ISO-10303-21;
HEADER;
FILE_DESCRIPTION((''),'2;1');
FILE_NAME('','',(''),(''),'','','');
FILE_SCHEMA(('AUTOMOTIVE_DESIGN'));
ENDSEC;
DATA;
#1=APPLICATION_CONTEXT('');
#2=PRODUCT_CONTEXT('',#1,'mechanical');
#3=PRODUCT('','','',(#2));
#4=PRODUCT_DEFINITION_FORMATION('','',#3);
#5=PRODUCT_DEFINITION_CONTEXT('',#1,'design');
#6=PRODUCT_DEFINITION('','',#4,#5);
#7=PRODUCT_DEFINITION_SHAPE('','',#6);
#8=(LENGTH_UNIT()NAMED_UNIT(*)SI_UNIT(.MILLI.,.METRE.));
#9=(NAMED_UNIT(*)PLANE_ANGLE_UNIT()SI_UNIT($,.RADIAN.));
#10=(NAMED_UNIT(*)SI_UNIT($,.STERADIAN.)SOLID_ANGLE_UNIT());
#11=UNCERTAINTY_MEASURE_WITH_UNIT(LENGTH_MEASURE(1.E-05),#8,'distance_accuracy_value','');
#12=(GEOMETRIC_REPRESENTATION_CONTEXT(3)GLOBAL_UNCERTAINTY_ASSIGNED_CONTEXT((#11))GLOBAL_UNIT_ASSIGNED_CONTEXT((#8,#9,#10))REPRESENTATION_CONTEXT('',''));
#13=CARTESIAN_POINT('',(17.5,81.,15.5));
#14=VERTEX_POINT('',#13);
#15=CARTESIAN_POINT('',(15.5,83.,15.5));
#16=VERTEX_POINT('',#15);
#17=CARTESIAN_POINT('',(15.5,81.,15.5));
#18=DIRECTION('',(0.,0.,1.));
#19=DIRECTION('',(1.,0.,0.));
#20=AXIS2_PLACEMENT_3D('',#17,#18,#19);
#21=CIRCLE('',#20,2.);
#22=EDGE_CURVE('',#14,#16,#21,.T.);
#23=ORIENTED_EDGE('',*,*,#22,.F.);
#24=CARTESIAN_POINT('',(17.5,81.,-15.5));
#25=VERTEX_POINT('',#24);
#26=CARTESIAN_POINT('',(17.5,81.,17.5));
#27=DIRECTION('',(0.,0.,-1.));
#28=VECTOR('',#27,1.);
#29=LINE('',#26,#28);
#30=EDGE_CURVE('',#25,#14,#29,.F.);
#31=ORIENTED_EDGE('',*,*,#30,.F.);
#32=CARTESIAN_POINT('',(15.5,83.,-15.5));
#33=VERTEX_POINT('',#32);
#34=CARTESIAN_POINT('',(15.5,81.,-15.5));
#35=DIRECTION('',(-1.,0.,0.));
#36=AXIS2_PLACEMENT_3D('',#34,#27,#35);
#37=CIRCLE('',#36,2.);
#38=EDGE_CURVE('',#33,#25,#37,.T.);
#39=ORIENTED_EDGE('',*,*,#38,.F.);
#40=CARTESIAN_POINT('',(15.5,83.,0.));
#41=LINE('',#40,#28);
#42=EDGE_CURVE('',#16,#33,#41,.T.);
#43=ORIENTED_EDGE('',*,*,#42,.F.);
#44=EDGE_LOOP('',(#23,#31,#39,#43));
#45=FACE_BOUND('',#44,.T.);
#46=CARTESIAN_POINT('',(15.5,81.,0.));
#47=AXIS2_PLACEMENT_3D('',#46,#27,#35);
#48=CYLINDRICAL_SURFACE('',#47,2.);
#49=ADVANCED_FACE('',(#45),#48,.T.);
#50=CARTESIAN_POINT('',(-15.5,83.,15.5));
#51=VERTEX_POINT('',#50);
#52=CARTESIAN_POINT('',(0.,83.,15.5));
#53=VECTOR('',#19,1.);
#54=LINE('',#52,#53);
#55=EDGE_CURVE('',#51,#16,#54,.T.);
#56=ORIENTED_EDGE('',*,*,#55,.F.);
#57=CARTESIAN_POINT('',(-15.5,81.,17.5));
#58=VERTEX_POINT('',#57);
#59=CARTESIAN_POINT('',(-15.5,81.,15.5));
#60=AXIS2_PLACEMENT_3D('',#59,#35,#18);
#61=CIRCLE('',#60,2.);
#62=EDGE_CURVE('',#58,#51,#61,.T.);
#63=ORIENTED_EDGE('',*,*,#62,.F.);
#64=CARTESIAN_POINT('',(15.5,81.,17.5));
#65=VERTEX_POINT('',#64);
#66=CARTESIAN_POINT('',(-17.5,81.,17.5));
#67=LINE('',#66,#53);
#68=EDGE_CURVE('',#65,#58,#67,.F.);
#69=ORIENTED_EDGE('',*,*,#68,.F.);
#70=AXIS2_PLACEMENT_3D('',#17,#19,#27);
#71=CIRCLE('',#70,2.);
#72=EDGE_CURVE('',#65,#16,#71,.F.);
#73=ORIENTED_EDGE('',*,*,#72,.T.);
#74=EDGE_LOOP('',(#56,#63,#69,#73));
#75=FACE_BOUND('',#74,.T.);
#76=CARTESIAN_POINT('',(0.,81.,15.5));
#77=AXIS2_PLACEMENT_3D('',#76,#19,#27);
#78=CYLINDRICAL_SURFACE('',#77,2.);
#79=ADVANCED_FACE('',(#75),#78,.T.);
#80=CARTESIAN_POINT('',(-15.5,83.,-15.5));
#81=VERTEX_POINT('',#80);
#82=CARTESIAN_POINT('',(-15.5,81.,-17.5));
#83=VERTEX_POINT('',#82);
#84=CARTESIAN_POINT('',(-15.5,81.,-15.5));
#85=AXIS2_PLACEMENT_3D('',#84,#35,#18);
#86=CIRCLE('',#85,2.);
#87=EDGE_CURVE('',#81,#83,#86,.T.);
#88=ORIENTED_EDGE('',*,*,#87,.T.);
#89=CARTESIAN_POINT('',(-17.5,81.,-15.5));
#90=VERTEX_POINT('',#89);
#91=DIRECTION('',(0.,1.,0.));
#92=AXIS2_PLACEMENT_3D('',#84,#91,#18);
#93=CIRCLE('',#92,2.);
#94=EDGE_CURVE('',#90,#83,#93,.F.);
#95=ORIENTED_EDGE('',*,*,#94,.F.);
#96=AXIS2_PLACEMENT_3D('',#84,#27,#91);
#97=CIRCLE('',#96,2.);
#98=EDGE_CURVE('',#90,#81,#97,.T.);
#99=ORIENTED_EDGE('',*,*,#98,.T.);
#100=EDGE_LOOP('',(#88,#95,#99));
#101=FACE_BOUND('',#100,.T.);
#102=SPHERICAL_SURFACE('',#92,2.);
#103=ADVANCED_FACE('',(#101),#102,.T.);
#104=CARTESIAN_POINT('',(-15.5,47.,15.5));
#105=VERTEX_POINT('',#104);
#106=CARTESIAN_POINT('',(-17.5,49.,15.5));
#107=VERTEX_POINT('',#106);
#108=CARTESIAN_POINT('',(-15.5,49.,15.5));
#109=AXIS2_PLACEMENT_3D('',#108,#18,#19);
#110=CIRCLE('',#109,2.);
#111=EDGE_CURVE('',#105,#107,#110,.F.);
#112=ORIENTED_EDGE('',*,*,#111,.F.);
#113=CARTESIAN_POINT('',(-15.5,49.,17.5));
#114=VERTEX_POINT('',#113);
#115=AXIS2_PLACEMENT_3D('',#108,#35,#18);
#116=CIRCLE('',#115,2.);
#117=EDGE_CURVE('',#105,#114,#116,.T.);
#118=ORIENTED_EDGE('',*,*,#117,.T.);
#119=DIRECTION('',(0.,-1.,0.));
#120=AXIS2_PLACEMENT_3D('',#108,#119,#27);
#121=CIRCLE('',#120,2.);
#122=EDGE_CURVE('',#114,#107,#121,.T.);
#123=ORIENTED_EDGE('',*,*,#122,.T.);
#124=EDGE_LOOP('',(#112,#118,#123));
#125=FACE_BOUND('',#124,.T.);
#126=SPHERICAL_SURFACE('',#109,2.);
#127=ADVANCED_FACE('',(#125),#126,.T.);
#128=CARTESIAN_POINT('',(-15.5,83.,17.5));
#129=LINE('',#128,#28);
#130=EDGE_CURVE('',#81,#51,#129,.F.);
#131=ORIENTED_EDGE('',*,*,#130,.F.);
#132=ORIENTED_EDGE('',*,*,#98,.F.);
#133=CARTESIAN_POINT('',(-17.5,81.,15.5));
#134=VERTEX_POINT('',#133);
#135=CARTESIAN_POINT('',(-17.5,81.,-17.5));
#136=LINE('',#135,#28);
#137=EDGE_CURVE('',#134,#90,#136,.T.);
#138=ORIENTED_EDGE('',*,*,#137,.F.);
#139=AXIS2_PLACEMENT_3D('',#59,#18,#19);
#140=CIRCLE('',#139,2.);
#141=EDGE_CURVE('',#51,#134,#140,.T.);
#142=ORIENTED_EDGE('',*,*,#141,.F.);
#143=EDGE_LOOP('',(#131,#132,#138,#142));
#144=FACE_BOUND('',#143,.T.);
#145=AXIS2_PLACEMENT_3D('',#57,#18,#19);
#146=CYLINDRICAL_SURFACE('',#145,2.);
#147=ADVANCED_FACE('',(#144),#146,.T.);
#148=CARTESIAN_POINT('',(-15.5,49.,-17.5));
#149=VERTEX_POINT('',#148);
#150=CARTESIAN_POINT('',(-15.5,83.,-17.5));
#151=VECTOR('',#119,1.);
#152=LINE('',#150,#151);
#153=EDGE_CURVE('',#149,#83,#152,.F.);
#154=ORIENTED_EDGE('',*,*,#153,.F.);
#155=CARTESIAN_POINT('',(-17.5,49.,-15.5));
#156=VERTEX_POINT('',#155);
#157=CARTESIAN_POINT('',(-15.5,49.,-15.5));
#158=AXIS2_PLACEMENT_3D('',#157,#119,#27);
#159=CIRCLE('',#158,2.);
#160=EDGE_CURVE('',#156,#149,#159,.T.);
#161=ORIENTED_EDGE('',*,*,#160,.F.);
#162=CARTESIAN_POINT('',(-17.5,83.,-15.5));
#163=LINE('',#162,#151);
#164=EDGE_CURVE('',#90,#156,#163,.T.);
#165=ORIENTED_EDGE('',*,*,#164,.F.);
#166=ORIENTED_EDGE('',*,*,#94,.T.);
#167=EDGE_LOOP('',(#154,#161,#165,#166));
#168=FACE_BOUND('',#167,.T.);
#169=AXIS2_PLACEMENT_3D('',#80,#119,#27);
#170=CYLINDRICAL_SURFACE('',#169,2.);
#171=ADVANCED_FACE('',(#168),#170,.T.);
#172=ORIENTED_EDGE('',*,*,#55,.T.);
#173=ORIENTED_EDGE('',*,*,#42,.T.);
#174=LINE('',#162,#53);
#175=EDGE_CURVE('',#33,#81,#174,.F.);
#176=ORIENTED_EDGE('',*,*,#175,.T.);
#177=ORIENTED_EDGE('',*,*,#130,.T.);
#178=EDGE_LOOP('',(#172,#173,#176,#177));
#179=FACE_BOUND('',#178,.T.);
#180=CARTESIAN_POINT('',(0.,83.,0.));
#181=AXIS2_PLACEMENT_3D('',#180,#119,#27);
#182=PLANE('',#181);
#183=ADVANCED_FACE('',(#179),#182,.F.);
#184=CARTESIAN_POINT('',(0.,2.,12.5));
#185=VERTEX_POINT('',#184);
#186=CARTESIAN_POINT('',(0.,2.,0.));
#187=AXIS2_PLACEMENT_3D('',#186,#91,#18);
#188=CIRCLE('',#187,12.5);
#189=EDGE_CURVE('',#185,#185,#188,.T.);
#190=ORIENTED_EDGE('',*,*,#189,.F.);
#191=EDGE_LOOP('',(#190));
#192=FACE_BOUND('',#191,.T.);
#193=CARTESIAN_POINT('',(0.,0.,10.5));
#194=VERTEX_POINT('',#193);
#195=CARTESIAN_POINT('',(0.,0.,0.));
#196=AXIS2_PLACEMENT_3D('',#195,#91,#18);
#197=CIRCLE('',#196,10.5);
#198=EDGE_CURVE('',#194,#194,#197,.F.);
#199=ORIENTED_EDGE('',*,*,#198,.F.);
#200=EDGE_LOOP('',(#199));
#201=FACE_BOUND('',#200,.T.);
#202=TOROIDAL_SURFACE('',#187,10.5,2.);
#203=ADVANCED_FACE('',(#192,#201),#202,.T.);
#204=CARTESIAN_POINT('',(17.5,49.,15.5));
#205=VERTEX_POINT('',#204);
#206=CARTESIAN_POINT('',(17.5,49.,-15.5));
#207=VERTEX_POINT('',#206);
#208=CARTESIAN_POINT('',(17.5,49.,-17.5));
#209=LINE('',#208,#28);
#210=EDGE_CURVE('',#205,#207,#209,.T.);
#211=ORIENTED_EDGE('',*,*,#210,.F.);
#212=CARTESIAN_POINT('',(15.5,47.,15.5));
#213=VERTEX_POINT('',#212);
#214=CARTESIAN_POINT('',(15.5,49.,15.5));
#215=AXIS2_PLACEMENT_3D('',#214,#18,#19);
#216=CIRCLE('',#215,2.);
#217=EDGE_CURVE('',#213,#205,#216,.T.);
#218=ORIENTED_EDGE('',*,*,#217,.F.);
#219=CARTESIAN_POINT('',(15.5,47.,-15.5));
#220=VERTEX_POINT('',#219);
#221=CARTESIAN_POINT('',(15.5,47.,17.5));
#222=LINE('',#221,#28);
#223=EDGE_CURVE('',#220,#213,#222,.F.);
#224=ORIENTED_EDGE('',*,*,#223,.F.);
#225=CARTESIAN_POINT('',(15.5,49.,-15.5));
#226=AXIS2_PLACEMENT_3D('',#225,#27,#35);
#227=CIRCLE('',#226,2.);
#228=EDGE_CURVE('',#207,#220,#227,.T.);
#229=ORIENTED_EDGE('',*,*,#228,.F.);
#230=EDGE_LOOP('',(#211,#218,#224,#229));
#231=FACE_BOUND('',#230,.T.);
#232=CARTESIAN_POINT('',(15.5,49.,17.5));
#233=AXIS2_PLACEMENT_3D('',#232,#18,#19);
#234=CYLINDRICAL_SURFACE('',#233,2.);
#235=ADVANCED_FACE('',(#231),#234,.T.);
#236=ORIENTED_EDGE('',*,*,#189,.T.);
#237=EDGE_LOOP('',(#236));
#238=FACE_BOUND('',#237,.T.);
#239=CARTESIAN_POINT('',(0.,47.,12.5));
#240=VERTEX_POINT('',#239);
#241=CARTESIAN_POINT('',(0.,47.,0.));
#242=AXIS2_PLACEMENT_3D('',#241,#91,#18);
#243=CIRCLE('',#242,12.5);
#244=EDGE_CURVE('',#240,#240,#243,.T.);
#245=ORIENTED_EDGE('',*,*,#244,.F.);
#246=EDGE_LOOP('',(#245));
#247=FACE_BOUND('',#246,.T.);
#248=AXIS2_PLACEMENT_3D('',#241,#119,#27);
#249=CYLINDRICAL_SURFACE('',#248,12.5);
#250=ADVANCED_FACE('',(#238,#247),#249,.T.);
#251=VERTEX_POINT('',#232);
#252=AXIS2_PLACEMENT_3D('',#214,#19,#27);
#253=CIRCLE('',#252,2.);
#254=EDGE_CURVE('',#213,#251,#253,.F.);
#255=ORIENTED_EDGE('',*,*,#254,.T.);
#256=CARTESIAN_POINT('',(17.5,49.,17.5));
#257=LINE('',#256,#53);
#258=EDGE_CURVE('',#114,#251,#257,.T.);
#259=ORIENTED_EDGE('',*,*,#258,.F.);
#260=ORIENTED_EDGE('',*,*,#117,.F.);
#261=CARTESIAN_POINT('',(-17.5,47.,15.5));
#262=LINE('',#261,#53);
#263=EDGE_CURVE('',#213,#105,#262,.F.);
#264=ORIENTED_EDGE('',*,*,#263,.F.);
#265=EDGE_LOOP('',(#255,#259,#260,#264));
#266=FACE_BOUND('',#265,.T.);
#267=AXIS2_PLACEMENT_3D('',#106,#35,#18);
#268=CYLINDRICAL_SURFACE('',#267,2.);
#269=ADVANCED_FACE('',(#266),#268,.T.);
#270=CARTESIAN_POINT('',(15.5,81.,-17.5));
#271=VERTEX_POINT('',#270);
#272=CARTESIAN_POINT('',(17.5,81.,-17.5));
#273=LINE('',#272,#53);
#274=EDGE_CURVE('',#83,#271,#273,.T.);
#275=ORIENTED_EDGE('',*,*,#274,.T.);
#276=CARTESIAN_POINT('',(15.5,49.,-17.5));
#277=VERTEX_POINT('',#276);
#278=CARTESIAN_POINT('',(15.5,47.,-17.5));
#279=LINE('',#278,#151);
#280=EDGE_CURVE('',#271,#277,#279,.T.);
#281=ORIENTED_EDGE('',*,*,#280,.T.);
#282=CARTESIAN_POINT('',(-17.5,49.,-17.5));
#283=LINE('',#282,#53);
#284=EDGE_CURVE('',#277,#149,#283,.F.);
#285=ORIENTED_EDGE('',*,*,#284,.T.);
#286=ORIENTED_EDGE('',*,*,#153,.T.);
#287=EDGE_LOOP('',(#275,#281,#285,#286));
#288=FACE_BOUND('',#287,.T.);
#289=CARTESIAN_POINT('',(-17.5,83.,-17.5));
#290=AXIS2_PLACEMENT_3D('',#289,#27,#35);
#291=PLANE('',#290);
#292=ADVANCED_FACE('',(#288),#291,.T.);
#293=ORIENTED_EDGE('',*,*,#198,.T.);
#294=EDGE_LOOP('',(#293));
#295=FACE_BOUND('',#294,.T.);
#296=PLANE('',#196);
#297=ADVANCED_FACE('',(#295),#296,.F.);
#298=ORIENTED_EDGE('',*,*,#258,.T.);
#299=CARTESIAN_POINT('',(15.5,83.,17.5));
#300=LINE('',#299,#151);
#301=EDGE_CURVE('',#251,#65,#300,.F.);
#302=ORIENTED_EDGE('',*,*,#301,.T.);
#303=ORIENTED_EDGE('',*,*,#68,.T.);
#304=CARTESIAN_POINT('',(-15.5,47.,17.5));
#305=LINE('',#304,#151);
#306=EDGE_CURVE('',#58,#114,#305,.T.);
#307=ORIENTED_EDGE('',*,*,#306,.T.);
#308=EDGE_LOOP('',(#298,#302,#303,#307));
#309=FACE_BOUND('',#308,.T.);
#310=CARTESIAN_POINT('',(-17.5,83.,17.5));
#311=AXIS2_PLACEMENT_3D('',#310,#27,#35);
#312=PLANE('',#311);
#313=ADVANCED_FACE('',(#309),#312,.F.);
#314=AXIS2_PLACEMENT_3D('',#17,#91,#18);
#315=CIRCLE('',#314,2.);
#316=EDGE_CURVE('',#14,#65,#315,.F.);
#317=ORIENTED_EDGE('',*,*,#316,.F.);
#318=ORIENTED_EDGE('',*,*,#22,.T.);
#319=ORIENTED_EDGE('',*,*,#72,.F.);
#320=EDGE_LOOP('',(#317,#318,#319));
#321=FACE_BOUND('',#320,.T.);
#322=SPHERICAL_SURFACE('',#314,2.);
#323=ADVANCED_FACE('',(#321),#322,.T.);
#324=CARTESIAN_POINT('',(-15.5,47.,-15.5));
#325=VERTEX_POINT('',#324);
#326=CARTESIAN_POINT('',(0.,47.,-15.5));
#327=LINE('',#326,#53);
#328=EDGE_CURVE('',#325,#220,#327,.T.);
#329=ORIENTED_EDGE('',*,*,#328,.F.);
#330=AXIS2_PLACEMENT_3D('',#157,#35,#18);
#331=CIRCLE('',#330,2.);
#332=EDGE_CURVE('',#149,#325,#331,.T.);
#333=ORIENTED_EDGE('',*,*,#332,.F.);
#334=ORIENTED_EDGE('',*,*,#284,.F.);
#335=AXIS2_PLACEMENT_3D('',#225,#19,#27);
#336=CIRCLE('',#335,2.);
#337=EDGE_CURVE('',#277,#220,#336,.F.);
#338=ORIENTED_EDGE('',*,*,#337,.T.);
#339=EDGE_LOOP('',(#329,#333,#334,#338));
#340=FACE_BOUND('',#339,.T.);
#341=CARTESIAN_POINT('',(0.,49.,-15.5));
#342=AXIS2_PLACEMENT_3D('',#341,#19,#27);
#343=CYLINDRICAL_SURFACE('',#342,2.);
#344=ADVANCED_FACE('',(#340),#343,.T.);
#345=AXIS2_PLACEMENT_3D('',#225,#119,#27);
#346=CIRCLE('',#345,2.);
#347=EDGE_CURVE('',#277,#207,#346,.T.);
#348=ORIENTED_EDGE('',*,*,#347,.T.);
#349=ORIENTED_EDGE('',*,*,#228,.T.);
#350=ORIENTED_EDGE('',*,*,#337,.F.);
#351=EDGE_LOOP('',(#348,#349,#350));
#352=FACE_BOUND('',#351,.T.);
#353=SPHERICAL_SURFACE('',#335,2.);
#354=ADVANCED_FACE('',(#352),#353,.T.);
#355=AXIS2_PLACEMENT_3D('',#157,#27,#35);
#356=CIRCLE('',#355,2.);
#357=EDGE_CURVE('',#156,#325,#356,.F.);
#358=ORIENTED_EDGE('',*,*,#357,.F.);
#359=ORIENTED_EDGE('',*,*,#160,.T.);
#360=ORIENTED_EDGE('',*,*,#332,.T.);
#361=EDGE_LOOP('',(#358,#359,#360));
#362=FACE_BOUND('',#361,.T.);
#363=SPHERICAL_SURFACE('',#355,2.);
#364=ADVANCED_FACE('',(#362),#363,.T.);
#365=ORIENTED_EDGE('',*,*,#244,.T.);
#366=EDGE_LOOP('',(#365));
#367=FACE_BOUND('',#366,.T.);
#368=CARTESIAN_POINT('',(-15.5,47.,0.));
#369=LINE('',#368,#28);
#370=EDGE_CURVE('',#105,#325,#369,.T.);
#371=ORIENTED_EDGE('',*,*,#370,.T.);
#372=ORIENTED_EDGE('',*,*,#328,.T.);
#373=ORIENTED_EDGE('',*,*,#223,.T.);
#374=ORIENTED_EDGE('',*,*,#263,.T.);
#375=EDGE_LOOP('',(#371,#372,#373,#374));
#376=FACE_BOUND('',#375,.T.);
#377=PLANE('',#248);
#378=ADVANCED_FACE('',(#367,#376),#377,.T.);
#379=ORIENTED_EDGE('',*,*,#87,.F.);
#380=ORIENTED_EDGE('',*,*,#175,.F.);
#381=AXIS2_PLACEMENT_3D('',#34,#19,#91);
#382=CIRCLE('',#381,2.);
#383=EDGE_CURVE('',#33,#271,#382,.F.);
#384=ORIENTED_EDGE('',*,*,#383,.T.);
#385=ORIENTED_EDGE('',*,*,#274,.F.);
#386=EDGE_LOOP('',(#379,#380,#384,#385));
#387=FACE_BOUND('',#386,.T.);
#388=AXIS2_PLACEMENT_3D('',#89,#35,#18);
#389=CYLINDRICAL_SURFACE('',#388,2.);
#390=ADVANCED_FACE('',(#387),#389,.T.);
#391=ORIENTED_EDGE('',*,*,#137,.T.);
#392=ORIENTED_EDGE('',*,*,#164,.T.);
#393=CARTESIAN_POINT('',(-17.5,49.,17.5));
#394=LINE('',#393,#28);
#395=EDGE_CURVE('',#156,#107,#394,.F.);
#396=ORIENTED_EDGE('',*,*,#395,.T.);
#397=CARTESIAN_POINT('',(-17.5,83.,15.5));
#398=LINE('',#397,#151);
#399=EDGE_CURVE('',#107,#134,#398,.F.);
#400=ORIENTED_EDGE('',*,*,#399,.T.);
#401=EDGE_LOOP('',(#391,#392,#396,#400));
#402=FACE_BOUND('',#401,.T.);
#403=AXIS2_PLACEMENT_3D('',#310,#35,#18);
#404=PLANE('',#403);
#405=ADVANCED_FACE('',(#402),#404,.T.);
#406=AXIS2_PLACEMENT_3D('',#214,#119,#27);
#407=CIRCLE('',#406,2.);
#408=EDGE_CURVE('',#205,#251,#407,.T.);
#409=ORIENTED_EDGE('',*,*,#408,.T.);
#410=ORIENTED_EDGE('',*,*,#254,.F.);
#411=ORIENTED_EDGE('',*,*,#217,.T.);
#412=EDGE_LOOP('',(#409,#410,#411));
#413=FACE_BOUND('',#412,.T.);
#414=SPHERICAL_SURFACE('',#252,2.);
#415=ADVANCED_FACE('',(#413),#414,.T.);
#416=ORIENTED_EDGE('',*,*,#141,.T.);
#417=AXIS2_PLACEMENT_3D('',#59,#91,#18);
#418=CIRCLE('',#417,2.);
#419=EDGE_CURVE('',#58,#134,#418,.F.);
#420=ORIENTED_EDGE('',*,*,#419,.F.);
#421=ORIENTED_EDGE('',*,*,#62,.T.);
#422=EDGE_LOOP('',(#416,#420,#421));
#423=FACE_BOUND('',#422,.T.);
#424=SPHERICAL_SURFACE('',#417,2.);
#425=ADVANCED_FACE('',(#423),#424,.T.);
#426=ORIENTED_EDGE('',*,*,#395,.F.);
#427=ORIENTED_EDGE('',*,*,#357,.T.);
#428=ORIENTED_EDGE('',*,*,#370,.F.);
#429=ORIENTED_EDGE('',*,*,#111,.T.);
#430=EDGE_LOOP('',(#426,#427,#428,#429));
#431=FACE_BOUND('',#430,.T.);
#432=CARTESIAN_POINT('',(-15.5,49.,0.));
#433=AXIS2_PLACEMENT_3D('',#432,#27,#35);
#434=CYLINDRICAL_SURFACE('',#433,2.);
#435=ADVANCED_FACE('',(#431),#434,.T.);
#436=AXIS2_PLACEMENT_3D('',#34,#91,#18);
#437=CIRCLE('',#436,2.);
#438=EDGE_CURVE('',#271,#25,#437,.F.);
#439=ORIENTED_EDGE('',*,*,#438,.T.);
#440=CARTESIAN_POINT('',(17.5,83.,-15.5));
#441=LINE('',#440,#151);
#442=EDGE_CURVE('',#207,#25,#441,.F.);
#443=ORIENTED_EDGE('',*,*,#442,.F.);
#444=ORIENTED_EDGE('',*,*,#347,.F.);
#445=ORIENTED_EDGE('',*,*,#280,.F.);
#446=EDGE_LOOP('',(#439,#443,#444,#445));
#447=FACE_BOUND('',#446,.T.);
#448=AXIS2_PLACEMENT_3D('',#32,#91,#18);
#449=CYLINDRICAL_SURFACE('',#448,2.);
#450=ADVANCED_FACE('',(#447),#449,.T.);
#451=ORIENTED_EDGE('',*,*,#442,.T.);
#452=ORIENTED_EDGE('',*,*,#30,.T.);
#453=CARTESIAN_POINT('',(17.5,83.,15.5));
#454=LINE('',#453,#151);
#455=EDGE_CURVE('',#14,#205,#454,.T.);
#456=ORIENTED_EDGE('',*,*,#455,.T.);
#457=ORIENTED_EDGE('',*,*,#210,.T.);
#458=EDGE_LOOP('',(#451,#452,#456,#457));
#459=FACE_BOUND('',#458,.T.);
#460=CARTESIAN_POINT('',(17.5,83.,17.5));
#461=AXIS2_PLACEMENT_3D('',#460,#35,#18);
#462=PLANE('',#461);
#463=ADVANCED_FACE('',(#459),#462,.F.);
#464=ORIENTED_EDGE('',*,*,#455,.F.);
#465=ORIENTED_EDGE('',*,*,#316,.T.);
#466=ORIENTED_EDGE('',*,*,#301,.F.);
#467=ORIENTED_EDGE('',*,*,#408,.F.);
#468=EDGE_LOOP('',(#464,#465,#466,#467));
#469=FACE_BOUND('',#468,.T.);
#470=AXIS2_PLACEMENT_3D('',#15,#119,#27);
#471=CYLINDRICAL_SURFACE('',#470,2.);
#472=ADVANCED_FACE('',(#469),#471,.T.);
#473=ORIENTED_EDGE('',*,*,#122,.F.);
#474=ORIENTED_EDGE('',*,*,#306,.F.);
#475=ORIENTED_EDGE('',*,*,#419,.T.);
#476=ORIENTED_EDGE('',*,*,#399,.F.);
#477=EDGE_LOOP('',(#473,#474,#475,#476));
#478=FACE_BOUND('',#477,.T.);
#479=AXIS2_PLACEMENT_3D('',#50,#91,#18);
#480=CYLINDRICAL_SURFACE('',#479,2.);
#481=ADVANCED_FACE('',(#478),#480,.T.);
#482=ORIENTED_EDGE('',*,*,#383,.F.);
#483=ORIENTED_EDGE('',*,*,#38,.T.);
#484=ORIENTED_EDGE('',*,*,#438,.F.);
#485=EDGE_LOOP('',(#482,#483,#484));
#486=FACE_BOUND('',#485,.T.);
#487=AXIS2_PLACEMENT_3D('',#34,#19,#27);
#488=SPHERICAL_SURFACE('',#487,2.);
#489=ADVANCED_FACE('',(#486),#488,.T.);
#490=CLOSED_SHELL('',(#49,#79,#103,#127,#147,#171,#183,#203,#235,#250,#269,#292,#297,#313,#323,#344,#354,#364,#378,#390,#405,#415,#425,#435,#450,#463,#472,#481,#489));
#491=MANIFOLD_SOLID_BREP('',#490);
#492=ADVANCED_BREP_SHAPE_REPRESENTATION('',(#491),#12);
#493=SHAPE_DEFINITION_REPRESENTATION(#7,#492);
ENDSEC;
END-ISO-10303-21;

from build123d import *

# Parameters (mm, degrees)
SKETCH1_R           = 12.5
BOSS_EXTRUDE1_DEPTH = 47
SKETCH2_W           = 35
SKETCH2_H           = 35
BOSS_EXTRUDE2_DEPTH = 36
FILLET1_R           = 2


with BuildPart() as part:
    # Sketch1 → Boss-Extrude1 (new body)
    with BuildSketch(Plane(origin=(0, 0, 0), x_dir=(1, 0, 0), z_dir=(0, 1, 0))):
        with Locations(Location((0, 0, 0), (0, 0, 270))):
            Circle(SKETCH1_R)
    extrude(amount=BOSS_EXTRUDE1_DEPTH)

    # Sketch2 → Boss-Extrude2 (add)
    with BuildSketch(Plane(origin=(0, 47, 0), x_dir=(1, 0, 0), z_dir=(0, 1, 0))):
        Rectangle(SKETCH2_W, SKETCH2_H)
    extrude(amount=BOSS_EXTRUDE2_DEPTH)

    # Fillet1
    fillet1_edges = [part.edges().sort_by_distance(p)[0] for p in [
        (0, 0, -12.5),
        (-17.5, 83, 0),
        (-17.5, 65, -17.5),
        (0, 47, 17.5),
        (-17.5, 65, 17.5),
        (17.5, 47, 0),
        (17.5, 65, 17.5),
        (0, 83, -17.5),
        (17.5, 65, -17.5),
        (0, 83, 17.5),
        (17.5, 83, 0),
        (-17.5, 47, 0),
        (0, 47, -17.5),
    ]]
    fillet(fillet1_edges, radius=FILLET1_R)


solid = part.part
